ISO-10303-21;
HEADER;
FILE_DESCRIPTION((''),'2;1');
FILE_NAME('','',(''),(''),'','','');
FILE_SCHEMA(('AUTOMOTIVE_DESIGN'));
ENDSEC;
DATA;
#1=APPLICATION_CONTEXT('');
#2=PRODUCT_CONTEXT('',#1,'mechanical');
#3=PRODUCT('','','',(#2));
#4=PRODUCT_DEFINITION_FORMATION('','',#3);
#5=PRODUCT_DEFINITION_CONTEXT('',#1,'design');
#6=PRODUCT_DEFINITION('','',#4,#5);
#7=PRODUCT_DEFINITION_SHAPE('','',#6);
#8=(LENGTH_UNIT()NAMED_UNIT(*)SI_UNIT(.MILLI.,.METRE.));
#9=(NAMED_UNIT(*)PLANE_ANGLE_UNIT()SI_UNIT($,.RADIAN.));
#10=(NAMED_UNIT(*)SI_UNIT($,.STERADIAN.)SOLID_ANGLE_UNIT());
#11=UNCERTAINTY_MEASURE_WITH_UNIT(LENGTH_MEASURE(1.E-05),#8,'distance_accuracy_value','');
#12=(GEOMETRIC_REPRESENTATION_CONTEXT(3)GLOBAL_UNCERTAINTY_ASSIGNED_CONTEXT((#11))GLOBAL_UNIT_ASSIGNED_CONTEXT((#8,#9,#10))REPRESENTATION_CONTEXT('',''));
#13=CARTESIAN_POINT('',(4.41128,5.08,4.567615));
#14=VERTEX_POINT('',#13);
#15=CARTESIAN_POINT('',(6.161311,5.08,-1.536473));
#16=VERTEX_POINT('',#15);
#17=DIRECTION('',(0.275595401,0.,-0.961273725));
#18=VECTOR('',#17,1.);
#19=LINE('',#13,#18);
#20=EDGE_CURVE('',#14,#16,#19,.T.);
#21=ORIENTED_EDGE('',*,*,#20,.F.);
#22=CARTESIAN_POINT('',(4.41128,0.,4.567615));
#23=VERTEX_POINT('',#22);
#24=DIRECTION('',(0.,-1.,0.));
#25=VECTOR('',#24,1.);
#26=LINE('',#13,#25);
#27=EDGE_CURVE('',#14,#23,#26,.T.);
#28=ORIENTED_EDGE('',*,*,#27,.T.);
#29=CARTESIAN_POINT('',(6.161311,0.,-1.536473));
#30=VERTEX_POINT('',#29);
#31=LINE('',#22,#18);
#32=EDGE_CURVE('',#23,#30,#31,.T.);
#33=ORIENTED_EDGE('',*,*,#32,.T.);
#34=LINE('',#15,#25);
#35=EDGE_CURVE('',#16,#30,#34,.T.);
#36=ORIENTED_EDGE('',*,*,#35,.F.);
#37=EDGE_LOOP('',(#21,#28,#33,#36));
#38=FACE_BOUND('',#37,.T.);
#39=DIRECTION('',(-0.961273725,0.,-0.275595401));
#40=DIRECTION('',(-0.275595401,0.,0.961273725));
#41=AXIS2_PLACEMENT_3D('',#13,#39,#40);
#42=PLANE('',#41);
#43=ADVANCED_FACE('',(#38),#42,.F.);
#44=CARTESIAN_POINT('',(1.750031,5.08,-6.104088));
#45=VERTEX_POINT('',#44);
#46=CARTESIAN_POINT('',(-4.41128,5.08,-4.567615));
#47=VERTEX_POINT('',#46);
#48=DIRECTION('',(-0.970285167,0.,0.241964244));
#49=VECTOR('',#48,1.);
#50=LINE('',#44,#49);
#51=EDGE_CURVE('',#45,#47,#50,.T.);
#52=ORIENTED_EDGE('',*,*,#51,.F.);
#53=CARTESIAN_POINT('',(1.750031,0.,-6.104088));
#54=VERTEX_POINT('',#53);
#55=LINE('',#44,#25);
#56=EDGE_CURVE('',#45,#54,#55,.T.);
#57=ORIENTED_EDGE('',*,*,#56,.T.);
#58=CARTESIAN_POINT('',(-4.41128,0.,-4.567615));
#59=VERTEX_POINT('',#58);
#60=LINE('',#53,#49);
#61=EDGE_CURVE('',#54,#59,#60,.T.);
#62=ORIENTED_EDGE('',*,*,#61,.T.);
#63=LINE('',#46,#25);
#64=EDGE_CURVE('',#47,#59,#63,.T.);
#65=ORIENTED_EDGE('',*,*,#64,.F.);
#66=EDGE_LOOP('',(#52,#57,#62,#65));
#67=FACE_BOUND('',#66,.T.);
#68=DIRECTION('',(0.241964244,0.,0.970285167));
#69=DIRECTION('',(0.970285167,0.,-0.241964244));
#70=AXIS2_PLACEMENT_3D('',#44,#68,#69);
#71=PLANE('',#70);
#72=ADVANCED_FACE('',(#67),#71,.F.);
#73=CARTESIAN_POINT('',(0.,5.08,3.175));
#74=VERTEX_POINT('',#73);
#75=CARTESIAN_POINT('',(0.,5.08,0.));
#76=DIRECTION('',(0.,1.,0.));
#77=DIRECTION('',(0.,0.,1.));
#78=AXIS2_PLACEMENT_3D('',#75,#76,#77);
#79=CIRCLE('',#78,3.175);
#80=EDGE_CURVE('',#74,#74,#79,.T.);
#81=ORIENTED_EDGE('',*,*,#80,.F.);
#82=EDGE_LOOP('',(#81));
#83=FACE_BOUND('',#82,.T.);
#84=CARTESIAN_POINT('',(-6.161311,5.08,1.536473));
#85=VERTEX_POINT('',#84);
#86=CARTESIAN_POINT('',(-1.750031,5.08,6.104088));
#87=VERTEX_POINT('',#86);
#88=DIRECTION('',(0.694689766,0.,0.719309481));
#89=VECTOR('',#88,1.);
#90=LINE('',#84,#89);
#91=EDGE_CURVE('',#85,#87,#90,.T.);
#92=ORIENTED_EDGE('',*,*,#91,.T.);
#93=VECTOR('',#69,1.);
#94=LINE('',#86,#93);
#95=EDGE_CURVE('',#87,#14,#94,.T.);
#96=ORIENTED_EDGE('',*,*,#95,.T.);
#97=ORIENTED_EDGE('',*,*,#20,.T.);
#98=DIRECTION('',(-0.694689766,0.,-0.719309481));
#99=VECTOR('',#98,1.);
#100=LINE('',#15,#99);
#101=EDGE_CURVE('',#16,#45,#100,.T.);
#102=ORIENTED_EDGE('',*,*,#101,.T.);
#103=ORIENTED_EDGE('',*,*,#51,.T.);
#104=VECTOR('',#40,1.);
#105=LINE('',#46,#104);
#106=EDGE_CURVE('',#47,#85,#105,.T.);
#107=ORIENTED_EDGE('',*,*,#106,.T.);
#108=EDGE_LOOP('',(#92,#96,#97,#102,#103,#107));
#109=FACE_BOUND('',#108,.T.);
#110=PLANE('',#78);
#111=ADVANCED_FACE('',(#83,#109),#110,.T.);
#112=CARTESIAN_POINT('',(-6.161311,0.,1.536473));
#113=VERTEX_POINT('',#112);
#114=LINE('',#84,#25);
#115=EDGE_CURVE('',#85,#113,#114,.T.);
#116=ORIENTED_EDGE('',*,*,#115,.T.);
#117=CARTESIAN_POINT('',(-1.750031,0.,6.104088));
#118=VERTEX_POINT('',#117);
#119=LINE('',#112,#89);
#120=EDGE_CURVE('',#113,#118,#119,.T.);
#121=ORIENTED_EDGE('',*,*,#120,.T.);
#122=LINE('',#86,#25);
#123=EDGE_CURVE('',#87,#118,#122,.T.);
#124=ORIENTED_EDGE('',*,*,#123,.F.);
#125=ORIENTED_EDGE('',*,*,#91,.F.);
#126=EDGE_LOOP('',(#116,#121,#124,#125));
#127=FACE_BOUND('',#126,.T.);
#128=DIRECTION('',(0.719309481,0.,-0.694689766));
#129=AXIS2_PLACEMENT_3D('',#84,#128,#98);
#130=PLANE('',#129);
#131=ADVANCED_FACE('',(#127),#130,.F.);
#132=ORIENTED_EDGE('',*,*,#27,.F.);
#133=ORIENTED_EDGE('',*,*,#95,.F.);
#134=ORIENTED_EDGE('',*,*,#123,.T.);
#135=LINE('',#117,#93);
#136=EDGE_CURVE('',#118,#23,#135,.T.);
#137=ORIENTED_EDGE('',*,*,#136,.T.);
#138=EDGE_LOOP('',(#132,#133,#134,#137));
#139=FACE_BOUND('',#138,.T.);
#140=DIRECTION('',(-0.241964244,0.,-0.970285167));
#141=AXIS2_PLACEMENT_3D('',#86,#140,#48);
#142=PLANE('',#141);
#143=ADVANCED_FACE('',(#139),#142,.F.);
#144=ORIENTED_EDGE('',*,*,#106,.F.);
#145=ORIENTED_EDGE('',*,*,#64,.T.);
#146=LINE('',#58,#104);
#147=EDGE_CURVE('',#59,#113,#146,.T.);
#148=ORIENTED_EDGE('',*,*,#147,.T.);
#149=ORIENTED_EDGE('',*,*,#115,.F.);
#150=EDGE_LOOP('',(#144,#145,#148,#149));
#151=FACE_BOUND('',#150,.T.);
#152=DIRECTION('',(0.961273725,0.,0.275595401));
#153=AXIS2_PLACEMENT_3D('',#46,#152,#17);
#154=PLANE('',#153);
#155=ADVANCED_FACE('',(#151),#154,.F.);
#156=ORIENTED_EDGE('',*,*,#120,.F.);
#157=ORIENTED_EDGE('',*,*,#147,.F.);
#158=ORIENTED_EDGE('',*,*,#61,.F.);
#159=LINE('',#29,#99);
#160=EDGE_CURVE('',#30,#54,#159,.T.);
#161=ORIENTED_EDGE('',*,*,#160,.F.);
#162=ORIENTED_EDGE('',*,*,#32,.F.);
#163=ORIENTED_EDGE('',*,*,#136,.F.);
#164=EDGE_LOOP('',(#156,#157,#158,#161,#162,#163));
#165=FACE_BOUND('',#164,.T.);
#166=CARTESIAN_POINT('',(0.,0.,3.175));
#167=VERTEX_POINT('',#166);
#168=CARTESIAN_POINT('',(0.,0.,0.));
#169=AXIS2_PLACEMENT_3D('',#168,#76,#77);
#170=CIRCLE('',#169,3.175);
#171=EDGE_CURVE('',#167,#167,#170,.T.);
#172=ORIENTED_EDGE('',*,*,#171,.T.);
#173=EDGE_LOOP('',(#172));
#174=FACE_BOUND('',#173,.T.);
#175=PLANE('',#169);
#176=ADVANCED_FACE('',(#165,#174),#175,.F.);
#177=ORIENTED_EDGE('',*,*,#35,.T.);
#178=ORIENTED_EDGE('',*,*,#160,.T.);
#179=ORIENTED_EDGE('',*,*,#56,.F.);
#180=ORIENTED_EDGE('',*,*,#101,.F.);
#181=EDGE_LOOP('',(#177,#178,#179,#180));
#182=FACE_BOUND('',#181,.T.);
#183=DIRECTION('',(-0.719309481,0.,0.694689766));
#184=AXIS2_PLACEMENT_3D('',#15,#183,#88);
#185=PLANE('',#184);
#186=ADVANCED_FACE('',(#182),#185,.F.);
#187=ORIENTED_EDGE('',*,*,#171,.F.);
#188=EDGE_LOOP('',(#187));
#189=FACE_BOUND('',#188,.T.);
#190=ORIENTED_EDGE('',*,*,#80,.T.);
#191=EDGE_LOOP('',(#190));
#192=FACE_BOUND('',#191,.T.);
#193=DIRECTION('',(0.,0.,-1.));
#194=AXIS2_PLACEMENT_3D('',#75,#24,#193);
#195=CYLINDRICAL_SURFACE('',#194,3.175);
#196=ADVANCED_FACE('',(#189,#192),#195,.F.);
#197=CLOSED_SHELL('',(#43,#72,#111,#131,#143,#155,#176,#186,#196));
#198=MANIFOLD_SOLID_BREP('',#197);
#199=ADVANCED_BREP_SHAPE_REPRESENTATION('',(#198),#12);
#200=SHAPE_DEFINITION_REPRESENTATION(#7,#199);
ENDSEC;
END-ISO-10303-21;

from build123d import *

# Parameters (mm, degrees)
SKETCH1_R           = 3.175
BOSS_EXTRUDE2_DEPTH = 5.08


with BuildPart() as part:
    # Sketch1 → Boss-Extrude2 (new body)
    with BuildSketch(Plane(origin=(0, 0, 0), x_dir=(1, 0, 0), z_dir=(0, 1, 0))):
        Polygon((6.161310808, 1.53647295), (1.750030797, 6.104088155), (-4.411280011, 4.567615205), (-6.161310808, -1.53647295), (-1.750030797, -6.104088155), (4.411280011, -4.567615205), align=None)
        Circle(SKETCH1_R, mode=Mode.SUBTRACT)
    extrude(amount=BOSS_EXTRUDE2_DEPTH)


solid = part.part
